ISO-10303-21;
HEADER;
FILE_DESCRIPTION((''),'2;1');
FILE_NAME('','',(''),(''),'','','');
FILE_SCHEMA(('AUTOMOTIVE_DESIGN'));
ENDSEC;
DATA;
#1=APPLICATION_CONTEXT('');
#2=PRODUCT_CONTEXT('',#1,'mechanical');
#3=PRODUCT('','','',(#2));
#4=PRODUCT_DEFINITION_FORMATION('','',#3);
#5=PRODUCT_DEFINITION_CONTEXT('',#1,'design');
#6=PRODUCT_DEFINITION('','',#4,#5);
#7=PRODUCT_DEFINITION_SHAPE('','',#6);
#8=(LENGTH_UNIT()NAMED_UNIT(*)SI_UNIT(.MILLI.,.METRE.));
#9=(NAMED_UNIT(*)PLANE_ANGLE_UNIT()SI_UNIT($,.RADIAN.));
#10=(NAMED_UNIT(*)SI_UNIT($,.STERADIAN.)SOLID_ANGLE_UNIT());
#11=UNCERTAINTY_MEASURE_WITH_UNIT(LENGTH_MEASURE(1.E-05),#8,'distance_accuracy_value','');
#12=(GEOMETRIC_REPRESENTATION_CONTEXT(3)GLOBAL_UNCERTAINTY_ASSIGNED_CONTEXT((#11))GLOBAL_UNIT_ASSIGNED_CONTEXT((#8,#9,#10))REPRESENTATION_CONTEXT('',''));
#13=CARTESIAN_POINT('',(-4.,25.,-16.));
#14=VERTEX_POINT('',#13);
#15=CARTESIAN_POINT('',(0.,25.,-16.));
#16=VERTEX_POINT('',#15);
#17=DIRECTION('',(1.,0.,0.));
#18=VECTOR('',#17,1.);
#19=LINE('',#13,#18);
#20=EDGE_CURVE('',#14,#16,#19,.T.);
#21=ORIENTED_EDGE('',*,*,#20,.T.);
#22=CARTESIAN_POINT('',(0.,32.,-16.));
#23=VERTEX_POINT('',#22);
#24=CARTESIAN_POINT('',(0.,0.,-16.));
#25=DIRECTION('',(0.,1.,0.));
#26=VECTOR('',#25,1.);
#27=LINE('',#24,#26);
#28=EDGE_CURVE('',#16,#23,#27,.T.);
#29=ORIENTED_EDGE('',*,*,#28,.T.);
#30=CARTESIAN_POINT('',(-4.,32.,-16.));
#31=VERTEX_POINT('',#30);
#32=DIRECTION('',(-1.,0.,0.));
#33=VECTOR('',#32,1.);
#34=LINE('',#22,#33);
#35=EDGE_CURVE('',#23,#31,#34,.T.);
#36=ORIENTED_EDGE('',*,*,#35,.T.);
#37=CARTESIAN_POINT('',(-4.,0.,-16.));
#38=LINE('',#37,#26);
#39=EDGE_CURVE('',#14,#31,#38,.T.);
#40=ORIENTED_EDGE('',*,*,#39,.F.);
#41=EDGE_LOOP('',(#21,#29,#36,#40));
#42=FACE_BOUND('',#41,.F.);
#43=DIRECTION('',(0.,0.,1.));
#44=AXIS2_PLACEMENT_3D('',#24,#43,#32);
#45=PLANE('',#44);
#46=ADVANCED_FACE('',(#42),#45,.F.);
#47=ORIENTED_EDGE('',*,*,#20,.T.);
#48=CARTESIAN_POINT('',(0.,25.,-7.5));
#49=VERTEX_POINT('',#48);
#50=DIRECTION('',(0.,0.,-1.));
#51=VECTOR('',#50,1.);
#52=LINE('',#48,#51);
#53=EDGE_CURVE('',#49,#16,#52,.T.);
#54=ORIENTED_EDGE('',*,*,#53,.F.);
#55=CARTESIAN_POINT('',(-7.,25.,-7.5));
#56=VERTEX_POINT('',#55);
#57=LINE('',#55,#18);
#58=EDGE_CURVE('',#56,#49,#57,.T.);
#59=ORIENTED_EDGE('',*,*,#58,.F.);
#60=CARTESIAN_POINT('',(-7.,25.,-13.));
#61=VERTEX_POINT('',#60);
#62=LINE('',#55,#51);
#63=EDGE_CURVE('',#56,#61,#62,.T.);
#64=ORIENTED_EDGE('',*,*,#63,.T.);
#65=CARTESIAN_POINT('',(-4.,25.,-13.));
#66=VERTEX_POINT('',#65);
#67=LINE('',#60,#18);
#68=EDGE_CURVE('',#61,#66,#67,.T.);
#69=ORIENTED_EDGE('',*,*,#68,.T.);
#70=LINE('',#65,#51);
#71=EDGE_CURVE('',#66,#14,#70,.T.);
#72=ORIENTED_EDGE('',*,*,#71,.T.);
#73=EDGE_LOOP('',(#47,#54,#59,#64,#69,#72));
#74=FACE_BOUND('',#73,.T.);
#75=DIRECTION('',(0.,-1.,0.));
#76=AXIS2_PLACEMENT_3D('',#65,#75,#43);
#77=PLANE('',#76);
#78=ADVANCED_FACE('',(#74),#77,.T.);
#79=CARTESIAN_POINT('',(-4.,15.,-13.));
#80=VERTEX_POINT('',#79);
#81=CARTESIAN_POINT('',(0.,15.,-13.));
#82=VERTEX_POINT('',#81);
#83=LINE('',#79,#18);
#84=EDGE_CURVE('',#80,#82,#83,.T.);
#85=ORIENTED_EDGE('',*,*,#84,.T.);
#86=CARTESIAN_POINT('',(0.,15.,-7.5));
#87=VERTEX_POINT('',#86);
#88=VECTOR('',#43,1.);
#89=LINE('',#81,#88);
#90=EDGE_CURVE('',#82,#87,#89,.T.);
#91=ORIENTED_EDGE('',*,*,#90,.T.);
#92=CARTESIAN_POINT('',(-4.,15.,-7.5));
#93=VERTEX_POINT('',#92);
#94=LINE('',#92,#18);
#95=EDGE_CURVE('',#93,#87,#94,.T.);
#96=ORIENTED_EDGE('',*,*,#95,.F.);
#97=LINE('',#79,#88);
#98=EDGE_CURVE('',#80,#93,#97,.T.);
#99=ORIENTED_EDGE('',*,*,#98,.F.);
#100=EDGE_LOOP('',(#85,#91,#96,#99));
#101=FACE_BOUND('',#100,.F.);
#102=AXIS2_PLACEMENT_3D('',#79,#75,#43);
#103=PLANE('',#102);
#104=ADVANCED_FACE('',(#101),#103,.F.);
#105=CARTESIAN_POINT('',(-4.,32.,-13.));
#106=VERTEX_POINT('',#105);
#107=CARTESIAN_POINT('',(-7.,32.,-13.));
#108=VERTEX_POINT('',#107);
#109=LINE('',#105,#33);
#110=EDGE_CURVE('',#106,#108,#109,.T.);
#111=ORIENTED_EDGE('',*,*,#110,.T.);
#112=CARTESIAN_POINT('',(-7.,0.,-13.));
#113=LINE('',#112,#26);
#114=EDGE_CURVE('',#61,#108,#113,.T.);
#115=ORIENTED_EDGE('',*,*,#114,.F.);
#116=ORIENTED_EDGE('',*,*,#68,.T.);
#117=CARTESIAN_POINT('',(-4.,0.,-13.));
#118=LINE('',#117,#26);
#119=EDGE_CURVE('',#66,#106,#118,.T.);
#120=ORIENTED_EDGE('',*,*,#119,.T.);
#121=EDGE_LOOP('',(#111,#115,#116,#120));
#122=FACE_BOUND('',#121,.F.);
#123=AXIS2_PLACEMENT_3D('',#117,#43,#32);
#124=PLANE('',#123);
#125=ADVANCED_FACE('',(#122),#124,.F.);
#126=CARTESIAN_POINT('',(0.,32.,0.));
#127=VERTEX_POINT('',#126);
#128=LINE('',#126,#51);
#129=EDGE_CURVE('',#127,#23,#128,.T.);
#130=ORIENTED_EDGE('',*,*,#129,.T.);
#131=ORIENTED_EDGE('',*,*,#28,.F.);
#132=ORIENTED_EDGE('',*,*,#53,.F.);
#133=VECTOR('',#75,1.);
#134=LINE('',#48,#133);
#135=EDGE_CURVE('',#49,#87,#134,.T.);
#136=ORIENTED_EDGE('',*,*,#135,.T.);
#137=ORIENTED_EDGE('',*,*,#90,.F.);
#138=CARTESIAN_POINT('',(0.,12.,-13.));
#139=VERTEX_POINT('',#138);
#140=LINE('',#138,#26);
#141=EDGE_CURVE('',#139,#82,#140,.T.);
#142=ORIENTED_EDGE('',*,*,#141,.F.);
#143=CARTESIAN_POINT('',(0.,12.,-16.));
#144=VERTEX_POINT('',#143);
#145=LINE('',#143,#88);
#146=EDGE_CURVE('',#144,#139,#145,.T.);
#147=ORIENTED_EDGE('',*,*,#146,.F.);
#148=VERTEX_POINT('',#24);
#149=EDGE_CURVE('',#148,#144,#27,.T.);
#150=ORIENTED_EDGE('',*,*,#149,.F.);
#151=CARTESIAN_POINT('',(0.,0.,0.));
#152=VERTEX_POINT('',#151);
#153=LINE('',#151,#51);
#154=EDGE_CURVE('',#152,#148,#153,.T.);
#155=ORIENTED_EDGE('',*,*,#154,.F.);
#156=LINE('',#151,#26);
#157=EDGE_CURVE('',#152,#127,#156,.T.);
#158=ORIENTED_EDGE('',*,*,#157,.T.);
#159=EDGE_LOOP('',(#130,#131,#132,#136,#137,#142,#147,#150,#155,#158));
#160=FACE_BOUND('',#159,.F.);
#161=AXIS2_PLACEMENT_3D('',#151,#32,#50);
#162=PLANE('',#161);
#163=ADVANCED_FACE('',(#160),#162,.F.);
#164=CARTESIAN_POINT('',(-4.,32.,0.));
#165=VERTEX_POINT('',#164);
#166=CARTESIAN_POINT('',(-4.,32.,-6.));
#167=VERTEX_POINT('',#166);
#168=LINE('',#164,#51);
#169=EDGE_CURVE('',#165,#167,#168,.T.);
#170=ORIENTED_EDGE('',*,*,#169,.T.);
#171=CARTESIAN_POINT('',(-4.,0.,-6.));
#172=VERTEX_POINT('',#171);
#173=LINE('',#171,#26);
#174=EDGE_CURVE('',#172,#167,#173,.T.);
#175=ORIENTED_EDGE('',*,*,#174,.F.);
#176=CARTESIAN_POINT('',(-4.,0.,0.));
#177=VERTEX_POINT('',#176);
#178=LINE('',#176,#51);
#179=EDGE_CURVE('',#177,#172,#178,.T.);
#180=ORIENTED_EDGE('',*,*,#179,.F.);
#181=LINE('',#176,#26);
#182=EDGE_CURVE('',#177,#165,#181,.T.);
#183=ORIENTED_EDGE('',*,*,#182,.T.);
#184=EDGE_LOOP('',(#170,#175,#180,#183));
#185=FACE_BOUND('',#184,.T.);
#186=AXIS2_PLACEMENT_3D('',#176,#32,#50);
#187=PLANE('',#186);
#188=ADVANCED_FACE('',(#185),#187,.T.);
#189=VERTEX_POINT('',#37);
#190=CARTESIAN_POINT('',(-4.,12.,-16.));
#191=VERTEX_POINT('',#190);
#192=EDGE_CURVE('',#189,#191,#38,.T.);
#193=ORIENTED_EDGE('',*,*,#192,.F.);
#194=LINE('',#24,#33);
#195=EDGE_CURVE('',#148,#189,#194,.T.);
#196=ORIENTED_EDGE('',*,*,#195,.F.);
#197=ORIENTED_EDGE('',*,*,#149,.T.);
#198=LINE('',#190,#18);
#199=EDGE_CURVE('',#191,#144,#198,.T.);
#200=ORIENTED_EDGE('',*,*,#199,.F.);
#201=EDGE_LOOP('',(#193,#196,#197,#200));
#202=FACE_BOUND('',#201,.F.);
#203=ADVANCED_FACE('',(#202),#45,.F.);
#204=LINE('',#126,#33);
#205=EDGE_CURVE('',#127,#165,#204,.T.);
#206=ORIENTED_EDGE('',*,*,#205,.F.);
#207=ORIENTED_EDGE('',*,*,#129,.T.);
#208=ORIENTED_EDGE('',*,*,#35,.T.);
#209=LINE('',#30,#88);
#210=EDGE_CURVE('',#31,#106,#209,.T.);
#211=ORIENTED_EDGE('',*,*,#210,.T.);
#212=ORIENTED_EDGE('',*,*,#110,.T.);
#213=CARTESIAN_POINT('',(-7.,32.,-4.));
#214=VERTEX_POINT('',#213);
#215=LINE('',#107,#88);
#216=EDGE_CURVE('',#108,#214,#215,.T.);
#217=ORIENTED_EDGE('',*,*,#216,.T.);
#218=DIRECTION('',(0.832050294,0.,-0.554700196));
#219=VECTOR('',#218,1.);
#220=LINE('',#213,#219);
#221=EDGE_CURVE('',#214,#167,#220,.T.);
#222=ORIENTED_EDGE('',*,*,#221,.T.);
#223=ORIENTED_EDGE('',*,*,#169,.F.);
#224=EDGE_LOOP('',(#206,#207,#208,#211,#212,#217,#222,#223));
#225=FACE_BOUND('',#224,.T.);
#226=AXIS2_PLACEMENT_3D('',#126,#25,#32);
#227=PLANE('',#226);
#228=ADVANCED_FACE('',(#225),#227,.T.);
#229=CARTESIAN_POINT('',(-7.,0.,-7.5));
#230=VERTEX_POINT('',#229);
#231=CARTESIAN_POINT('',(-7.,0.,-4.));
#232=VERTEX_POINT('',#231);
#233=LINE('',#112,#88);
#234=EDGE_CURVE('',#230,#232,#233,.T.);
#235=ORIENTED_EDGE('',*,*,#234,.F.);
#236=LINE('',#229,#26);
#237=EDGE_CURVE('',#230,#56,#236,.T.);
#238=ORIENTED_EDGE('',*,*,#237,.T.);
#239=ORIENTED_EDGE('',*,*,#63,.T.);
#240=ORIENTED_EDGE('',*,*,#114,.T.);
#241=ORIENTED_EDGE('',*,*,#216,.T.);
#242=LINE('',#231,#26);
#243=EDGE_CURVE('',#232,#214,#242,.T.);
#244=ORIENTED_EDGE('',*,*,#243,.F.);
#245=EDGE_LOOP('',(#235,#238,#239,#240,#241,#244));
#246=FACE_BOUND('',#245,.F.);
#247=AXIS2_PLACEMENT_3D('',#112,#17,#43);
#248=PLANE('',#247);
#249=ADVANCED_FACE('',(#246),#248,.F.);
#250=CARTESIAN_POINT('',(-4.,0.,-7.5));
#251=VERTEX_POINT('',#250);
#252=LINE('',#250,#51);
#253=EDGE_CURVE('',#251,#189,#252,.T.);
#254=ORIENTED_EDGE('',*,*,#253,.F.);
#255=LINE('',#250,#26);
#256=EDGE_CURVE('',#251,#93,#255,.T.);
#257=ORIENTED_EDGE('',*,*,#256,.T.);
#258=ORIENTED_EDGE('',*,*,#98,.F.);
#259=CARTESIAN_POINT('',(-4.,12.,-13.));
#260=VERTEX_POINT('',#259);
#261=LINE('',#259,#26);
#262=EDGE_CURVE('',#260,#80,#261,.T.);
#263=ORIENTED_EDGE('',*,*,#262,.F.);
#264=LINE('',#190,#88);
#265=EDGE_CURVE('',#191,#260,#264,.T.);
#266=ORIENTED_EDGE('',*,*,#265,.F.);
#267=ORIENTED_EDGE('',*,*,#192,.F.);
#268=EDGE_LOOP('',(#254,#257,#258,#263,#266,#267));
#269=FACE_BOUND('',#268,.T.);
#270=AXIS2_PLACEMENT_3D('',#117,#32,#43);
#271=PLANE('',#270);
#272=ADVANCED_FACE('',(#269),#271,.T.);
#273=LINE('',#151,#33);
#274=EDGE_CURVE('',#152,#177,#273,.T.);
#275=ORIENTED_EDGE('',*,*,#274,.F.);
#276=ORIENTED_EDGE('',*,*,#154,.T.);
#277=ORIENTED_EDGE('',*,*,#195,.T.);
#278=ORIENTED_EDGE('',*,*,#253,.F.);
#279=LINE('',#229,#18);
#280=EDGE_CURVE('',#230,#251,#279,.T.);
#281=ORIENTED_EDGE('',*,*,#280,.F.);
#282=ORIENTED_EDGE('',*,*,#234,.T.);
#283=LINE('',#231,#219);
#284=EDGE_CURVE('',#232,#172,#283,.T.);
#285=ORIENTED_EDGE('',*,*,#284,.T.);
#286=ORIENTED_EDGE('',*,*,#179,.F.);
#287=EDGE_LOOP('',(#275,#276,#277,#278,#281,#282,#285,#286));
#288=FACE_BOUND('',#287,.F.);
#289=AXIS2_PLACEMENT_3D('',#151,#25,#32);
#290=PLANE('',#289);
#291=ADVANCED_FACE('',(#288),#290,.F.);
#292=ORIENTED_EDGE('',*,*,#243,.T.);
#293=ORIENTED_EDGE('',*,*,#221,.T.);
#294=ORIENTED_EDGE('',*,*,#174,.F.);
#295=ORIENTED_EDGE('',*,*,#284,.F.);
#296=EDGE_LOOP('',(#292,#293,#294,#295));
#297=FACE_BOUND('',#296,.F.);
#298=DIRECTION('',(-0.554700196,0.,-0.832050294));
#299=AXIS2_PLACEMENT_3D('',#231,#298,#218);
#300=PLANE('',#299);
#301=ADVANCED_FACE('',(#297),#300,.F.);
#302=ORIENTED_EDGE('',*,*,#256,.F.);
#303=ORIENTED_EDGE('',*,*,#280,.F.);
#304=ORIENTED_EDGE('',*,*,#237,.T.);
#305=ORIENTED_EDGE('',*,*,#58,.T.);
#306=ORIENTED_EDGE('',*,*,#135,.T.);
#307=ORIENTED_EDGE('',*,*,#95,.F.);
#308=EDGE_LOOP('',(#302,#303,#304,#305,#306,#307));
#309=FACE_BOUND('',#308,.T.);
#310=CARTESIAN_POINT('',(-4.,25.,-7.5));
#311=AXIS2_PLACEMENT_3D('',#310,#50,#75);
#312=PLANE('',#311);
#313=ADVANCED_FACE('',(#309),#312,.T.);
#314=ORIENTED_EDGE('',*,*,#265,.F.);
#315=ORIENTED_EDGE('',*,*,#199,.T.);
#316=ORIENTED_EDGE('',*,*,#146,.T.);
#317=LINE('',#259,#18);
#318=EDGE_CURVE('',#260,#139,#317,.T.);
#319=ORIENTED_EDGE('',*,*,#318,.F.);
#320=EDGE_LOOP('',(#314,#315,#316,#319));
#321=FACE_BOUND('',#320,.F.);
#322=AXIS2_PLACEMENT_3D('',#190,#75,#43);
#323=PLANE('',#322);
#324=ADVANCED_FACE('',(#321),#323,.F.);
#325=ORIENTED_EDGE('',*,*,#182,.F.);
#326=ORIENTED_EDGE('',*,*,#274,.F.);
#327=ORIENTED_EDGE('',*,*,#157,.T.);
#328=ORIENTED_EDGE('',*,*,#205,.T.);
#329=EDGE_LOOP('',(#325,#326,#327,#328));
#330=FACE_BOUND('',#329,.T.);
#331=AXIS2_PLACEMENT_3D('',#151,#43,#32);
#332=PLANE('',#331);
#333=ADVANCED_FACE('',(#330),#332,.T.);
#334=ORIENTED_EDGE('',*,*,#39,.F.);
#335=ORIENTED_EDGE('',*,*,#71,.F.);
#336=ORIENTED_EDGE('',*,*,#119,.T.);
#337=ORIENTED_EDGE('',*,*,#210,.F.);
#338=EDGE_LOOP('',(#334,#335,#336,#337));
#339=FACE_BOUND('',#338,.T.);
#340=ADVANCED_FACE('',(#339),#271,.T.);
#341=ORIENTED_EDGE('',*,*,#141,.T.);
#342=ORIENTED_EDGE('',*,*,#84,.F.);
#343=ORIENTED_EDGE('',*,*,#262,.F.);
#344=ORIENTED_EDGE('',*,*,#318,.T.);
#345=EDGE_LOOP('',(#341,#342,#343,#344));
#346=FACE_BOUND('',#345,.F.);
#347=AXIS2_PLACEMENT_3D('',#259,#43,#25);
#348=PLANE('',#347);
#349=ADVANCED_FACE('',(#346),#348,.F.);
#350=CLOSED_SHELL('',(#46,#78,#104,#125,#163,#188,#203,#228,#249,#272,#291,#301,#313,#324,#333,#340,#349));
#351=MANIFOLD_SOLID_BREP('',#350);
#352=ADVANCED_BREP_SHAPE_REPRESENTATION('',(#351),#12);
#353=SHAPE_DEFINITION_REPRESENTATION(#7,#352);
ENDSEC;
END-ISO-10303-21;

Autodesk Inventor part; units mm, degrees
ref_plane "YZ Plane" through (0, 0, 0) normal (1, 0, 0) x (0, 1, 0)
ref_plane "XZ Plane" through (0, 0, 0) normal (0, 1, 0) x (-1, 0, 0)
ref_plane "XY Plane" through (0, 0, 0) normal (0, 0, 1) x (1, 0, 0)
sketch "Sketch1" plane through (0, 0, 0) normal (0, 1, 0) x (-1, 0, 0)
  line L0 (0, 0) -> (0, -16)
  line L1 (0, -16) -> (4, -16)
  line L2 (0, 0) -> (4, 0)
  line L3 (4, 0) -> (4, -6)
  line L4 (4, -16) -> (4, -13)
  line L5 (4, -13) -> (7, -13)
  line L6 (7, -13) -> (7, -4)
  line L7 (7, -4) -> (4, -6)
  dimension "d0" = 16
  dimension "d1" = 4
  dimension "d2" = 6
  dimension "d3" = 3
  dimension "d4" = 3
  dimension "d5" = 9
extrude "Extrusion1" add sketch "Sketch1" along normal blind 32
sketch "Sketch2" plane through (-7, 0, -13) normal (-1, 0, 0) x (0, 0, 1)
  line L0 (0, 0) -> (9, 0) projected
  line L1 (9, 0) -> (9, 32) projected
  line L2 (0, 32) -> (9, 32) projected
  line L3 (0, 0) -> (0, 32) projected
  line L4 (0, 0) -> (9, 0) projected
  line L5 (5.5, 0) -> (5.5, 25)
  line L6 (5.5, 25) -> (0, 25)
  point P0 (13, 0)
  dimension "d8" = 25
  dimension "d9" = 5.5
extrude "Extrusion2" cut sketch "Sketch2" against normal blind 3 contours L3 L6 L5 L0
sketch "Sketch3" plane through (-4, 0, -16) normal (-1, 0, 0) x (0, 0, 1)
  line L0 (0, 0) -> (8.5, 0) projected
  line L1 (8.5, 25) -> (8.5, 0) projected
  line L2 (3, 25) -> (8.5, 25) projected
  line L3 (3, 25) -> (3, 32) projected
  line L4 (0, 32) -> (3, 32) projected
  line L5 (0, 0) -> (0, 32) projected
  line L6 (0, 0) -> (8.5, 0) projected
  line L7 (0, 0) -> (0, 12)
  line L8 (0, 0) -> (0, 32) projected
  line L9 (0, 12) -> (3, 12)
  line L10 (3, 12) -> (3, 15)
  line L11 (3, 15) -> (8.5, 15)
  line L12 (8.5, 25) -> (8.5, 0) projected
  line L13 (3, 25) -> (3, 32) projected
  line L14 (3, 25) -> (0, 25)
  point P0 (16, 0)
  dimension "d12" = 12
  dimension "d13" = 3
  dimension "d14" = 3
extrude "Extrusion3" cut sketch "Sketch3" against normal blind 4 contours L5 L14 L2 L1 L11 L10 L9
properties part number "Inner Rails 2"
